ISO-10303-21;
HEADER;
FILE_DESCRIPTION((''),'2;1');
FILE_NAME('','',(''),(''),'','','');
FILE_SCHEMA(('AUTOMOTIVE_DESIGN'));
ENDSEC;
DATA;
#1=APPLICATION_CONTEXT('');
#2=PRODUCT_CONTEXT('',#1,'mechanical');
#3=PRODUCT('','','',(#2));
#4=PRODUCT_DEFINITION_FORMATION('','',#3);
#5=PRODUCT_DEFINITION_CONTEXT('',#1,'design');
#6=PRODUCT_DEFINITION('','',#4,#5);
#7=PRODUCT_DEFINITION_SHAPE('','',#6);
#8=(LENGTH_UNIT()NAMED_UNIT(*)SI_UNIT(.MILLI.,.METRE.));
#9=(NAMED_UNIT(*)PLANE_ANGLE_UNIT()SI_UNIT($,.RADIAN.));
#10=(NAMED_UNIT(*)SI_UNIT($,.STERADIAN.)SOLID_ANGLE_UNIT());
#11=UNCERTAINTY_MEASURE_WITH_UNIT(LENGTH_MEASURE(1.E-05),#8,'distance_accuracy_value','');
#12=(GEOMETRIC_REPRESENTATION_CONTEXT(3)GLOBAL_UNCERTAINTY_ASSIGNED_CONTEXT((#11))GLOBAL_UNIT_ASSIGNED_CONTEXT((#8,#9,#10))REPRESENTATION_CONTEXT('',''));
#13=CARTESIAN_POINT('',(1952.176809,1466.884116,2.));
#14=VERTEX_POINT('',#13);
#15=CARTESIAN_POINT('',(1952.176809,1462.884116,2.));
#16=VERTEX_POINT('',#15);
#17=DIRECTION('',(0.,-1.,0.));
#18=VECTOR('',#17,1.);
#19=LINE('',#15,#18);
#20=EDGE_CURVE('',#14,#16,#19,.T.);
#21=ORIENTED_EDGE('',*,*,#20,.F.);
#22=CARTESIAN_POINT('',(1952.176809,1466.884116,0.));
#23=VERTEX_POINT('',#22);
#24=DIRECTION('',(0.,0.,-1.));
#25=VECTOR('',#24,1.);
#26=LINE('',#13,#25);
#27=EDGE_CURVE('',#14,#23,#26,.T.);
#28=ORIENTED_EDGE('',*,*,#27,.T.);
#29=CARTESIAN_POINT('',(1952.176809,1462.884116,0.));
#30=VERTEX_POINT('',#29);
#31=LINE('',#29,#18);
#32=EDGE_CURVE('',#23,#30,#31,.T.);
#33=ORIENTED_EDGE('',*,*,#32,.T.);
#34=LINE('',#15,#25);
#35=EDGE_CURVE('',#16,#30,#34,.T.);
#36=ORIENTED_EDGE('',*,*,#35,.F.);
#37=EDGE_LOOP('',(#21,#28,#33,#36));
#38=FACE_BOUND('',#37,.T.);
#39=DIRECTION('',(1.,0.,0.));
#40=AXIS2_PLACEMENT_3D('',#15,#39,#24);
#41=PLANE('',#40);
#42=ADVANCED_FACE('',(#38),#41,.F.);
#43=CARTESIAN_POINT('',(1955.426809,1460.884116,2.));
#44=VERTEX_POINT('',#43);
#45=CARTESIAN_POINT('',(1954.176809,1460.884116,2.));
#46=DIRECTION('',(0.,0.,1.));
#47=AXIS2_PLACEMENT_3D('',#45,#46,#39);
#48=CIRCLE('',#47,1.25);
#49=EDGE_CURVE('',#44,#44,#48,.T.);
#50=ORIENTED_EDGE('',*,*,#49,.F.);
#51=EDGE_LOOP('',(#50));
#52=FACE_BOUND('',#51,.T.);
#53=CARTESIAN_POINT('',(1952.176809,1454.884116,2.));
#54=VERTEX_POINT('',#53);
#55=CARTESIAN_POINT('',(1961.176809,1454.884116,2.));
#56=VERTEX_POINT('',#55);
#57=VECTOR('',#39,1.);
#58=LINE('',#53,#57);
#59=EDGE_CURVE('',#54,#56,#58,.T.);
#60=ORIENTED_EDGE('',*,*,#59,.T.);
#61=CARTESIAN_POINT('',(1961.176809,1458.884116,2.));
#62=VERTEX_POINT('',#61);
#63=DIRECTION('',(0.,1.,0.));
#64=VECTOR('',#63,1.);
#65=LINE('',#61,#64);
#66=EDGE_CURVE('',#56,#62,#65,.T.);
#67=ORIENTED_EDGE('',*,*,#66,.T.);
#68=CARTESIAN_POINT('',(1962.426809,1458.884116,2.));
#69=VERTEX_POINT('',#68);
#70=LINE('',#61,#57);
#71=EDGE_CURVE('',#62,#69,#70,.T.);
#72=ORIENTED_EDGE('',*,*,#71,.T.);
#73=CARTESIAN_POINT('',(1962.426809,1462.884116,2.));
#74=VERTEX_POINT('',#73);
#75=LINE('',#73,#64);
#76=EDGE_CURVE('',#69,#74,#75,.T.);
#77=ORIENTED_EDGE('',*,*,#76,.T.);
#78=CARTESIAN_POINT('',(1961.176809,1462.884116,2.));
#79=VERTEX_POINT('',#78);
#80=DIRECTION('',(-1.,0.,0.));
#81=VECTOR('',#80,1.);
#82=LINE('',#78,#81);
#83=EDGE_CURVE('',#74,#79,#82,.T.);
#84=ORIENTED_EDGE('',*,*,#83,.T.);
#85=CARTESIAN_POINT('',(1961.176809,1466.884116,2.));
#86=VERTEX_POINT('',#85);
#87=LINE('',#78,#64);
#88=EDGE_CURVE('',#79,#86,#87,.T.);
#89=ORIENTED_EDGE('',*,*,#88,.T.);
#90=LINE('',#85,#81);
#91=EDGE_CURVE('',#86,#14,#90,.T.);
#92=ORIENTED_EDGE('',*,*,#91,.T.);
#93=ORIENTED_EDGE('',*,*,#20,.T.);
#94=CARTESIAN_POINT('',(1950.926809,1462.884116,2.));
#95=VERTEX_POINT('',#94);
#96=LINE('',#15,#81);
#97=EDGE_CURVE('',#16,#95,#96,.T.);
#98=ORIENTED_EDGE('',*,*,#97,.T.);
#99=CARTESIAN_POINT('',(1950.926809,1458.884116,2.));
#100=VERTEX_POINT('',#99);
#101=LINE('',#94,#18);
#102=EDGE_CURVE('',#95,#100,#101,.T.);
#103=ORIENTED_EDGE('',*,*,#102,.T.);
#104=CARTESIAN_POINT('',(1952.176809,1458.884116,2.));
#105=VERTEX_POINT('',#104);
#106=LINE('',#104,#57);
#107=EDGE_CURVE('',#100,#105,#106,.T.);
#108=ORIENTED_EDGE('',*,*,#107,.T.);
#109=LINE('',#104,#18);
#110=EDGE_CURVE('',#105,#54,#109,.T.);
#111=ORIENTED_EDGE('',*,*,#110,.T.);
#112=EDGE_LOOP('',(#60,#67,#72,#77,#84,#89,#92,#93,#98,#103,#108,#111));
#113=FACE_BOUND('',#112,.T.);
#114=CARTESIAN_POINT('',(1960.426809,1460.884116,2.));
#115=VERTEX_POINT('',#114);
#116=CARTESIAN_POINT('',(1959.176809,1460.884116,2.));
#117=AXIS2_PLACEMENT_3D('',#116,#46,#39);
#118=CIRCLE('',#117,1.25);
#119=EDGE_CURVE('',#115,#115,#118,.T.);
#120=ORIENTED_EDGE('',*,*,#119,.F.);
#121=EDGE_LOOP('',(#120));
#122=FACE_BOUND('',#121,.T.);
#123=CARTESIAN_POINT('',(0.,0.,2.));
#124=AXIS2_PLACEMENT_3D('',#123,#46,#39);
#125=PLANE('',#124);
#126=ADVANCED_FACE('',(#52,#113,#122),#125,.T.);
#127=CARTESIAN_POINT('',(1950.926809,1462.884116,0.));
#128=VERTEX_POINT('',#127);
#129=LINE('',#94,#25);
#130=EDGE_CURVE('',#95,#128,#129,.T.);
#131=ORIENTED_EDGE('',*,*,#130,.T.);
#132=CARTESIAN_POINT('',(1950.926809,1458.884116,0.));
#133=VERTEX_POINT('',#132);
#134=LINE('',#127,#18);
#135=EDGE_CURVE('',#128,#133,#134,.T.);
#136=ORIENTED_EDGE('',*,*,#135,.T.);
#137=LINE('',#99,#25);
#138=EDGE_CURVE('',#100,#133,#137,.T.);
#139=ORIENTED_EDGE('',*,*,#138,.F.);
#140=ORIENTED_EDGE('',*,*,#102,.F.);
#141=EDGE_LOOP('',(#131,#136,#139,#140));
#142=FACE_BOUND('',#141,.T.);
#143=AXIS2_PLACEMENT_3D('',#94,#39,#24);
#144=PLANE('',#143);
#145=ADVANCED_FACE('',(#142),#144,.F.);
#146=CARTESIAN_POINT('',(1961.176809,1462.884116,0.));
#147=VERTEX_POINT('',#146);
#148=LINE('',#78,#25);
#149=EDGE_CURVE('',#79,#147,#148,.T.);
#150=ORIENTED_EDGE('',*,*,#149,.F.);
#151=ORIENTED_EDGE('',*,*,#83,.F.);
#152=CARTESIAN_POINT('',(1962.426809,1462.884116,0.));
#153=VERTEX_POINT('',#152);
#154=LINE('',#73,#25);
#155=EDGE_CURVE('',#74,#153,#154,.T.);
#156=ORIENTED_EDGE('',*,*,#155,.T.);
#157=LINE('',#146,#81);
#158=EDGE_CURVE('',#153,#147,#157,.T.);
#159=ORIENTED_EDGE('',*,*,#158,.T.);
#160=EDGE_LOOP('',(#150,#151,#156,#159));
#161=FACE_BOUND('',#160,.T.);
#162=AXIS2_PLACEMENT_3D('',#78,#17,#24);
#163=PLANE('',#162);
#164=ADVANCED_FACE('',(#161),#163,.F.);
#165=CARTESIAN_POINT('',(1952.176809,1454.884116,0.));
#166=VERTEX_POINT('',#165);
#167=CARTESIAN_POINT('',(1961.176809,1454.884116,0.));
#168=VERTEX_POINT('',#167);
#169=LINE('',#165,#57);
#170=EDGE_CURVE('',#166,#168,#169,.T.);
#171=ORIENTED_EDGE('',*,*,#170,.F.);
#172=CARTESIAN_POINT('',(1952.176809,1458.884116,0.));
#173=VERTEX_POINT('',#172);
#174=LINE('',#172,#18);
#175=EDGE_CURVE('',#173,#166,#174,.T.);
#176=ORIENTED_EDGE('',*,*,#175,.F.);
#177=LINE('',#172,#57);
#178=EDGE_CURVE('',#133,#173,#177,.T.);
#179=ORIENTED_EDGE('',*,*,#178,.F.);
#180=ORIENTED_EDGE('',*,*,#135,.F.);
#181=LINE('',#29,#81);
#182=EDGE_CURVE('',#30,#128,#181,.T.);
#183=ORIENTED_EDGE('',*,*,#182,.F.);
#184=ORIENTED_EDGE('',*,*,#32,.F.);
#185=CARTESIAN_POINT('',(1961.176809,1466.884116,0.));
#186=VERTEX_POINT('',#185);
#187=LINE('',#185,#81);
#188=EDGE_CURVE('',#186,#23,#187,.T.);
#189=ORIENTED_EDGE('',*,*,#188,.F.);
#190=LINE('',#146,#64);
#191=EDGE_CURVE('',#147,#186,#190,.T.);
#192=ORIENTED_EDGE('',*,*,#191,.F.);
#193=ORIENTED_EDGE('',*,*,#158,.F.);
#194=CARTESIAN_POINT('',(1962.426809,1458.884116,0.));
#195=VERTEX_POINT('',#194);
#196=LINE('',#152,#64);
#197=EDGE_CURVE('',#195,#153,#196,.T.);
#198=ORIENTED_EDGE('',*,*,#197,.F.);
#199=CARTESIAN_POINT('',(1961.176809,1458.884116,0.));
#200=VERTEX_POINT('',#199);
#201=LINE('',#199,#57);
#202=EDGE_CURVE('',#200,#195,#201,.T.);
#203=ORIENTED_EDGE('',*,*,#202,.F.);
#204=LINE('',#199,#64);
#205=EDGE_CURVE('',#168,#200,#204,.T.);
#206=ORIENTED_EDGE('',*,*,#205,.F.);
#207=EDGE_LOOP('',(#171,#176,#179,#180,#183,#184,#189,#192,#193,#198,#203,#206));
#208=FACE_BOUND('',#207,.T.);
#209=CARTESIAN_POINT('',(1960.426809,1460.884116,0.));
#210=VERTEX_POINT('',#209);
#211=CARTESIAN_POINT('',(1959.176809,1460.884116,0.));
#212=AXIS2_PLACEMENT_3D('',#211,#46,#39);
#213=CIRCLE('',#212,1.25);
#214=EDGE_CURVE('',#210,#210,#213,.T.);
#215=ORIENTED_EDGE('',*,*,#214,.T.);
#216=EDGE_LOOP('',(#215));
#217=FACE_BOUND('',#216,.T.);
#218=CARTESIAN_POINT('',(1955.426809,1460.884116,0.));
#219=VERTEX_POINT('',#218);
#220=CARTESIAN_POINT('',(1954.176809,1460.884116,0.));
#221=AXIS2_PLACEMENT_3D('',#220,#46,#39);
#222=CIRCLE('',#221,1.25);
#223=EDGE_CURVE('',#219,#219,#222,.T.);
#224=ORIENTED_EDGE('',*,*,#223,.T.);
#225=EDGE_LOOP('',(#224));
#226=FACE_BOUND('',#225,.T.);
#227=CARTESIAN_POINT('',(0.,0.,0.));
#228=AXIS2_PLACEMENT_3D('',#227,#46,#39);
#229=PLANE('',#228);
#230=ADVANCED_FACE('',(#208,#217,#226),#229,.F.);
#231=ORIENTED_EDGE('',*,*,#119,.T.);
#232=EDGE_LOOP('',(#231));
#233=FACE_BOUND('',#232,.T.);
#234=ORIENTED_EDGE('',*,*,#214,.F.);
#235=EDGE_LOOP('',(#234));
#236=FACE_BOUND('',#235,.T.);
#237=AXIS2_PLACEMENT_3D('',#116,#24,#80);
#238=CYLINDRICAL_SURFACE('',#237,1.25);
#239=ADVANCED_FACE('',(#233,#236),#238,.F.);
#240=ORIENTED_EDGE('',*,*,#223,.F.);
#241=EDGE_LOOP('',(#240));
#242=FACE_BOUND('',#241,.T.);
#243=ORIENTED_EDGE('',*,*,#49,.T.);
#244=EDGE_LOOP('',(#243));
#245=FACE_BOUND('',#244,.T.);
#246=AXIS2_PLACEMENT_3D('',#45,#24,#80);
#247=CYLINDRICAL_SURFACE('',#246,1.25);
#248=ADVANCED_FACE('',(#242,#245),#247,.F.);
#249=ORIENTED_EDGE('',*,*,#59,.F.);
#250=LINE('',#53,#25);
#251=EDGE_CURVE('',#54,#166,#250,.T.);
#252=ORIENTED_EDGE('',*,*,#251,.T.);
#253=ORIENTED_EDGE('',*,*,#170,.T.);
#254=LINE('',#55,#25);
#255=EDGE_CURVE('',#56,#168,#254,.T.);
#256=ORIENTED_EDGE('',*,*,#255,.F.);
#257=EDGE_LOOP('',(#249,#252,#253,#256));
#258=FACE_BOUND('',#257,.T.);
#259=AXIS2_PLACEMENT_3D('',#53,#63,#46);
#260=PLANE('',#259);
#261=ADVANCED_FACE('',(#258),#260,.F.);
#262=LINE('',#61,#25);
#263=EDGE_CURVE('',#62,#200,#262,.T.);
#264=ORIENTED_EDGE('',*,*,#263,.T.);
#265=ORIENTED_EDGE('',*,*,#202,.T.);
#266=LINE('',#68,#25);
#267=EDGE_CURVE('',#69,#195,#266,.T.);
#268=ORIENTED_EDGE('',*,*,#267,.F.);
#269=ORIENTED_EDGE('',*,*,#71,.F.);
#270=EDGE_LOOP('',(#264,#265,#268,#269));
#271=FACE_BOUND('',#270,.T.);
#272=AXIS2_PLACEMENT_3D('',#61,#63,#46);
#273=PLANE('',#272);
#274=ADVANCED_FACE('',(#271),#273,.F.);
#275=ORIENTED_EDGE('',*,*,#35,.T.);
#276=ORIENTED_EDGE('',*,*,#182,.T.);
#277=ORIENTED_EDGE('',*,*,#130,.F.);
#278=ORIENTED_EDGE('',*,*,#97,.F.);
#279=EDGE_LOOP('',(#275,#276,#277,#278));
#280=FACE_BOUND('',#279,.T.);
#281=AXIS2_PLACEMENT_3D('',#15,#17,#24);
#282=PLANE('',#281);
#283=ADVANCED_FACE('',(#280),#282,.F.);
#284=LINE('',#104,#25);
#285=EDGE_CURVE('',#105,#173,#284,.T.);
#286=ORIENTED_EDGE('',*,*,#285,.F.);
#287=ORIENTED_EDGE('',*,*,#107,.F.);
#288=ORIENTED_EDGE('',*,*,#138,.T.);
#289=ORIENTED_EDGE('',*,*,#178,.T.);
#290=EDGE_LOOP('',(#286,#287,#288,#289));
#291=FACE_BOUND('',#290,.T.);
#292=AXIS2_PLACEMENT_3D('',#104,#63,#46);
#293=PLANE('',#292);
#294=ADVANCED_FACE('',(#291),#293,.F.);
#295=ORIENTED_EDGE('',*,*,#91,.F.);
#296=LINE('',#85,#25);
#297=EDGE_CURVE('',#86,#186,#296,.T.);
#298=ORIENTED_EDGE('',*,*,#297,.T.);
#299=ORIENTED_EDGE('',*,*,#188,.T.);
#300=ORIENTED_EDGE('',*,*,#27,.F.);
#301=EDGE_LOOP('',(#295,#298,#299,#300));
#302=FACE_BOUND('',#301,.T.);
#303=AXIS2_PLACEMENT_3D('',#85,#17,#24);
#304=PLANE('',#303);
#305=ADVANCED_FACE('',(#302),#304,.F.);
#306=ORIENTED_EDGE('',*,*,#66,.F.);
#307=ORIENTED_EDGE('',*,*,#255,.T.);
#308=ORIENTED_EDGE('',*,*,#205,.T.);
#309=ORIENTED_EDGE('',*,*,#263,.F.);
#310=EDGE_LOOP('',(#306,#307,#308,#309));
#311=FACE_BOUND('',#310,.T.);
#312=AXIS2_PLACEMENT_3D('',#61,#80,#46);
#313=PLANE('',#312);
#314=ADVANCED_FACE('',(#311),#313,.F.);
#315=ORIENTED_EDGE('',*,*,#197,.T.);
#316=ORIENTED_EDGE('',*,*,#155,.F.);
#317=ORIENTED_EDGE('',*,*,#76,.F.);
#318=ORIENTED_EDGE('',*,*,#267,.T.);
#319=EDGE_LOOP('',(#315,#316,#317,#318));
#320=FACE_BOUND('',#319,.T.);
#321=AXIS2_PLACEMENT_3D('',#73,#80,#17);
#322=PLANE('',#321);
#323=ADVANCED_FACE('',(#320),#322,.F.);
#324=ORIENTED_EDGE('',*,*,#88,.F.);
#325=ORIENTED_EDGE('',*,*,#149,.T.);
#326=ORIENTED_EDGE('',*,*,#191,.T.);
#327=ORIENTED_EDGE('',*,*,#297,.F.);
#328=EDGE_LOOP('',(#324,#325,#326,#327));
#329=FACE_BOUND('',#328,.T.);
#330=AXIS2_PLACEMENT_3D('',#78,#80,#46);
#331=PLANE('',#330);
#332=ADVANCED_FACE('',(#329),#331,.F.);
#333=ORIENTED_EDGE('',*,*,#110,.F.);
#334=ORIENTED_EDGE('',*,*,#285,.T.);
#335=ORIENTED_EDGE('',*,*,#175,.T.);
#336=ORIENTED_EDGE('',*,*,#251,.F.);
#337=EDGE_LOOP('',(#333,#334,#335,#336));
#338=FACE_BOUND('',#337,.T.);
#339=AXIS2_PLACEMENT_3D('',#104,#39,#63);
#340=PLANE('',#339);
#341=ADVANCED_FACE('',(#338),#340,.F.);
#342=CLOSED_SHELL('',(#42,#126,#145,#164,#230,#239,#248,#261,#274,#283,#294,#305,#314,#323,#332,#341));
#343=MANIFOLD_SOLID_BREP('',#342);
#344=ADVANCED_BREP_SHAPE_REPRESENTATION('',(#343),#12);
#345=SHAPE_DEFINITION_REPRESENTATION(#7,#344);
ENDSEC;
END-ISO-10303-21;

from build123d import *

# Parameters (mm, degrees)
MODEL_R             = 1.25
BOSS_EXTRUDE1_DEPTH = 2


with BuildPart() as part:
    # Model → Boss-Extrude1 (new body)
    with BuildSketch(Plane.XY):
        Polygon((1952.176808721, 1458.884115951), (1950.926808721, 1458.884115951), (1950.926808721, 1462.884115951), (1952.176808721, 1462.884115951), (1952.176808721, 1466.884115951), (1961.176808721, 1466.884115951), (1961.176808721, 1462.884115951), (1962.426808721, 1462.884115951), (1962.426808721, 1458.884115951), (1961.176808721, 1458.884115951), (1961.176808721, 1454.884115951), (1952.176808721, 1454.884115951), align=None)
        with Locations((1959.176808721, 1460.884115951)):
            Circle(MODEL_R, mode=Mode.SUBTRACT)
        with Locations((1954.176808721, 1460.884115951)):
            Circle(MODEL_R, mode=Mode.SUBTRACT)
    extrude(amount=BOSS_EXTRUDE1_DEPTH)


solid = part.part
